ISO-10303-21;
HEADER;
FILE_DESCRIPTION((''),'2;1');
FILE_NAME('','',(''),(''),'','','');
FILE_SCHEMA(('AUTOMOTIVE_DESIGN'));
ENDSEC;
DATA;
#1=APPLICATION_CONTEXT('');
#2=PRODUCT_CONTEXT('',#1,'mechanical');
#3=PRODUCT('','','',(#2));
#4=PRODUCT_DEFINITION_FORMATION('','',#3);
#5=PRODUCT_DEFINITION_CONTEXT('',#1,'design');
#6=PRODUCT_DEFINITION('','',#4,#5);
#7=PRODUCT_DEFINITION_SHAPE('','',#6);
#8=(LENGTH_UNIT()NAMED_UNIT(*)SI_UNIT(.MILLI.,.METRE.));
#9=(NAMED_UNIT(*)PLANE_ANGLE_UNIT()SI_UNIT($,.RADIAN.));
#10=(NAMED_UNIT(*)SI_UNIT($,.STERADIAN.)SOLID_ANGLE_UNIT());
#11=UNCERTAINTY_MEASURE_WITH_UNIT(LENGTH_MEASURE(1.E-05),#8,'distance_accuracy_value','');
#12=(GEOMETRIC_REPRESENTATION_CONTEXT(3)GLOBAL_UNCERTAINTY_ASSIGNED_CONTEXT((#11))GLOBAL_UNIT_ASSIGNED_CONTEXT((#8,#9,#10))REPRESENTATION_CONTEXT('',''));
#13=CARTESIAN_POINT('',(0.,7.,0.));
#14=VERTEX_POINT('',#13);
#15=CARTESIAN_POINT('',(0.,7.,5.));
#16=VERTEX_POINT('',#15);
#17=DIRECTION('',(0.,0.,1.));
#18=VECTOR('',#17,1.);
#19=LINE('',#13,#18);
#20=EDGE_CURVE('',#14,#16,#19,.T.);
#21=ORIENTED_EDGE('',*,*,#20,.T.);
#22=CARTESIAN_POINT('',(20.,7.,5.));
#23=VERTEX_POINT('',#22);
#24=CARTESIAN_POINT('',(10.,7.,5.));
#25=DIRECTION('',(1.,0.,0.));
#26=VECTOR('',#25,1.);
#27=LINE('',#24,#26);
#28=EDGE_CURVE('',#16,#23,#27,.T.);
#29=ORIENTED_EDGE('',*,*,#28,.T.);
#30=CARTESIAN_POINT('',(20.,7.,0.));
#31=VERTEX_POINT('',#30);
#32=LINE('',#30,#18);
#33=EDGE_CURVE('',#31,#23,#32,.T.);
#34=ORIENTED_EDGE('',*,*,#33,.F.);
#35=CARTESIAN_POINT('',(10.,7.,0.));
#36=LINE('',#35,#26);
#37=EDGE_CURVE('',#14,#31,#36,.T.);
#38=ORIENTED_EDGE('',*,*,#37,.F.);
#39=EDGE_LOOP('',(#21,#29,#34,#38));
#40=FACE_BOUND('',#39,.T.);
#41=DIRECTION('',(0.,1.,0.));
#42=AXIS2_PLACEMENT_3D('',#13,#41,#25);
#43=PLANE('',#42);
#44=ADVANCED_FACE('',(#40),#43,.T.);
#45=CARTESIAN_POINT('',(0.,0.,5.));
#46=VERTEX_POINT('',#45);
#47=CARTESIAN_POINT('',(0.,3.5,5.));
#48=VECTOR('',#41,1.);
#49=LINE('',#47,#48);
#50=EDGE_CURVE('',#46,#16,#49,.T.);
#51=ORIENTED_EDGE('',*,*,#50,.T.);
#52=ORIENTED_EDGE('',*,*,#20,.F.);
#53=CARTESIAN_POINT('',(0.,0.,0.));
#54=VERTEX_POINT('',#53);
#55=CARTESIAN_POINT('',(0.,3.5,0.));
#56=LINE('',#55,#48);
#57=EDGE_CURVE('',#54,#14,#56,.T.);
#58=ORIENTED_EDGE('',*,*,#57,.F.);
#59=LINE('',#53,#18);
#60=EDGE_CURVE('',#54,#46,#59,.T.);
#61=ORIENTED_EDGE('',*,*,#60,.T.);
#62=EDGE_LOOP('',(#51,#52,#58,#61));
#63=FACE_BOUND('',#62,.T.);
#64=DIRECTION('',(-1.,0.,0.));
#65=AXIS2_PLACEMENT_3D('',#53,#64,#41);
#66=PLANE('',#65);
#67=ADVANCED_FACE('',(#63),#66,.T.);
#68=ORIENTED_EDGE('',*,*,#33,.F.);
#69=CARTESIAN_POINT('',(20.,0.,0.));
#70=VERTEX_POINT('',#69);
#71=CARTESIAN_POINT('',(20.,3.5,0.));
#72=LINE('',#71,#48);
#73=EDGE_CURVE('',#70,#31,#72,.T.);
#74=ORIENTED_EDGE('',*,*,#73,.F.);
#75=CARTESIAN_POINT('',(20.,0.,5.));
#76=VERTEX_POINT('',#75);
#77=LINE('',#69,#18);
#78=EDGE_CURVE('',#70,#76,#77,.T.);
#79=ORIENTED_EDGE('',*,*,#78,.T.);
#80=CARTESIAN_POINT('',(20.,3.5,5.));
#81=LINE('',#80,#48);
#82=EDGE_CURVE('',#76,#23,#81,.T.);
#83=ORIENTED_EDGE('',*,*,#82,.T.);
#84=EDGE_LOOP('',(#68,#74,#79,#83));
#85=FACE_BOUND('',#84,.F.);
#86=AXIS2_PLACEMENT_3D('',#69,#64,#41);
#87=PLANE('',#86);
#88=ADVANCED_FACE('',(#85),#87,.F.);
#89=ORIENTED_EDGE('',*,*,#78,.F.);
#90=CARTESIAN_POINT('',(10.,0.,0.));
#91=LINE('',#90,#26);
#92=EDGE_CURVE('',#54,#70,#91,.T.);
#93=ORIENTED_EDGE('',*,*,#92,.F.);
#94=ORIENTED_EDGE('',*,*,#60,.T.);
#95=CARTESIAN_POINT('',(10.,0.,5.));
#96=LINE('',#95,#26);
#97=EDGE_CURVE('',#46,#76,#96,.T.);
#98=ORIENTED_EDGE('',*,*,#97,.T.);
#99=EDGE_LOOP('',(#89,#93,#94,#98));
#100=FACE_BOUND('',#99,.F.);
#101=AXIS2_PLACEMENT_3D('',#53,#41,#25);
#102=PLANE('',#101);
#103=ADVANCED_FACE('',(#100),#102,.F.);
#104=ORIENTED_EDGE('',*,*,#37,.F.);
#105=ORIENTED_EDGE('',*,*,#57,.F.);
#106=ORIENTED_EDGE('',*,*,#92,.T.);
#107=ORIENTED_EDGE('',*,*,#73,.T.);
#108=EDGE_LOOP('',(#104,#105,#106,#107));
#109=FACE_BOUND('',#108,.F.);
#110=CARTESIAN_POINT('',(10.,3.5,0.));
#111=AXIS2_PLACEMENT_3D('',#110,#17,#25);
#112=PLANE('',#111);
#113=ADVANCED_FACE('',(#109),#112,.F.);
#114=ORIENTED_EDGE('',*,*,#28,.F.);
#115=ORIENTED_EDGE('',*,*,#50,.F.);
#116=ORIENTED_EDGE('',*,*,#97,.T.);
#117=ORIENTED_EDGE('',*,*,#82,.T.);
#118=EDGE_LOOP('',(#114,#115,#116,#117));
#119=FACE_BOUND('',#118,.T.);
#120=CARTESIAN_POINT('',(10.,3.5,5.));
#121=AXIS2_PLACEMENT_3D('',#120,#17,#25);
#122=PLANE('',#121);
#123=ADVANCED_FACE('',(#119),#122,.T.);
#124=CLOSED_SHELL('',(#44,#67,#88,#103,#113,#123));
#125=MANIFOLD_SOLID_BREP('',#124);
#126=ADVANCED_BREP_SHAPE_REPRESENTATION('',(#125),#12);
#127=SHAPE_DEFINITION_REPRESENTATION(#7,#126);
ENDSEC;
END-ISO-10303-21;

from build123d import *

# Parameters (mm, degrees)
SKETCH_W  = 20
SKETCH_H  = 7
PAD_DEPTH = 5


with BuildPart() as part:
    # Sketch → Pad (new body)
    with BuildSketch(Plane.XY):
        with Locations((10, 3.5)):
            Rectangle(SKETCH_W, SKETCH_H)
    extrude(amount=PAD_DEPTH)


solid = part.part
